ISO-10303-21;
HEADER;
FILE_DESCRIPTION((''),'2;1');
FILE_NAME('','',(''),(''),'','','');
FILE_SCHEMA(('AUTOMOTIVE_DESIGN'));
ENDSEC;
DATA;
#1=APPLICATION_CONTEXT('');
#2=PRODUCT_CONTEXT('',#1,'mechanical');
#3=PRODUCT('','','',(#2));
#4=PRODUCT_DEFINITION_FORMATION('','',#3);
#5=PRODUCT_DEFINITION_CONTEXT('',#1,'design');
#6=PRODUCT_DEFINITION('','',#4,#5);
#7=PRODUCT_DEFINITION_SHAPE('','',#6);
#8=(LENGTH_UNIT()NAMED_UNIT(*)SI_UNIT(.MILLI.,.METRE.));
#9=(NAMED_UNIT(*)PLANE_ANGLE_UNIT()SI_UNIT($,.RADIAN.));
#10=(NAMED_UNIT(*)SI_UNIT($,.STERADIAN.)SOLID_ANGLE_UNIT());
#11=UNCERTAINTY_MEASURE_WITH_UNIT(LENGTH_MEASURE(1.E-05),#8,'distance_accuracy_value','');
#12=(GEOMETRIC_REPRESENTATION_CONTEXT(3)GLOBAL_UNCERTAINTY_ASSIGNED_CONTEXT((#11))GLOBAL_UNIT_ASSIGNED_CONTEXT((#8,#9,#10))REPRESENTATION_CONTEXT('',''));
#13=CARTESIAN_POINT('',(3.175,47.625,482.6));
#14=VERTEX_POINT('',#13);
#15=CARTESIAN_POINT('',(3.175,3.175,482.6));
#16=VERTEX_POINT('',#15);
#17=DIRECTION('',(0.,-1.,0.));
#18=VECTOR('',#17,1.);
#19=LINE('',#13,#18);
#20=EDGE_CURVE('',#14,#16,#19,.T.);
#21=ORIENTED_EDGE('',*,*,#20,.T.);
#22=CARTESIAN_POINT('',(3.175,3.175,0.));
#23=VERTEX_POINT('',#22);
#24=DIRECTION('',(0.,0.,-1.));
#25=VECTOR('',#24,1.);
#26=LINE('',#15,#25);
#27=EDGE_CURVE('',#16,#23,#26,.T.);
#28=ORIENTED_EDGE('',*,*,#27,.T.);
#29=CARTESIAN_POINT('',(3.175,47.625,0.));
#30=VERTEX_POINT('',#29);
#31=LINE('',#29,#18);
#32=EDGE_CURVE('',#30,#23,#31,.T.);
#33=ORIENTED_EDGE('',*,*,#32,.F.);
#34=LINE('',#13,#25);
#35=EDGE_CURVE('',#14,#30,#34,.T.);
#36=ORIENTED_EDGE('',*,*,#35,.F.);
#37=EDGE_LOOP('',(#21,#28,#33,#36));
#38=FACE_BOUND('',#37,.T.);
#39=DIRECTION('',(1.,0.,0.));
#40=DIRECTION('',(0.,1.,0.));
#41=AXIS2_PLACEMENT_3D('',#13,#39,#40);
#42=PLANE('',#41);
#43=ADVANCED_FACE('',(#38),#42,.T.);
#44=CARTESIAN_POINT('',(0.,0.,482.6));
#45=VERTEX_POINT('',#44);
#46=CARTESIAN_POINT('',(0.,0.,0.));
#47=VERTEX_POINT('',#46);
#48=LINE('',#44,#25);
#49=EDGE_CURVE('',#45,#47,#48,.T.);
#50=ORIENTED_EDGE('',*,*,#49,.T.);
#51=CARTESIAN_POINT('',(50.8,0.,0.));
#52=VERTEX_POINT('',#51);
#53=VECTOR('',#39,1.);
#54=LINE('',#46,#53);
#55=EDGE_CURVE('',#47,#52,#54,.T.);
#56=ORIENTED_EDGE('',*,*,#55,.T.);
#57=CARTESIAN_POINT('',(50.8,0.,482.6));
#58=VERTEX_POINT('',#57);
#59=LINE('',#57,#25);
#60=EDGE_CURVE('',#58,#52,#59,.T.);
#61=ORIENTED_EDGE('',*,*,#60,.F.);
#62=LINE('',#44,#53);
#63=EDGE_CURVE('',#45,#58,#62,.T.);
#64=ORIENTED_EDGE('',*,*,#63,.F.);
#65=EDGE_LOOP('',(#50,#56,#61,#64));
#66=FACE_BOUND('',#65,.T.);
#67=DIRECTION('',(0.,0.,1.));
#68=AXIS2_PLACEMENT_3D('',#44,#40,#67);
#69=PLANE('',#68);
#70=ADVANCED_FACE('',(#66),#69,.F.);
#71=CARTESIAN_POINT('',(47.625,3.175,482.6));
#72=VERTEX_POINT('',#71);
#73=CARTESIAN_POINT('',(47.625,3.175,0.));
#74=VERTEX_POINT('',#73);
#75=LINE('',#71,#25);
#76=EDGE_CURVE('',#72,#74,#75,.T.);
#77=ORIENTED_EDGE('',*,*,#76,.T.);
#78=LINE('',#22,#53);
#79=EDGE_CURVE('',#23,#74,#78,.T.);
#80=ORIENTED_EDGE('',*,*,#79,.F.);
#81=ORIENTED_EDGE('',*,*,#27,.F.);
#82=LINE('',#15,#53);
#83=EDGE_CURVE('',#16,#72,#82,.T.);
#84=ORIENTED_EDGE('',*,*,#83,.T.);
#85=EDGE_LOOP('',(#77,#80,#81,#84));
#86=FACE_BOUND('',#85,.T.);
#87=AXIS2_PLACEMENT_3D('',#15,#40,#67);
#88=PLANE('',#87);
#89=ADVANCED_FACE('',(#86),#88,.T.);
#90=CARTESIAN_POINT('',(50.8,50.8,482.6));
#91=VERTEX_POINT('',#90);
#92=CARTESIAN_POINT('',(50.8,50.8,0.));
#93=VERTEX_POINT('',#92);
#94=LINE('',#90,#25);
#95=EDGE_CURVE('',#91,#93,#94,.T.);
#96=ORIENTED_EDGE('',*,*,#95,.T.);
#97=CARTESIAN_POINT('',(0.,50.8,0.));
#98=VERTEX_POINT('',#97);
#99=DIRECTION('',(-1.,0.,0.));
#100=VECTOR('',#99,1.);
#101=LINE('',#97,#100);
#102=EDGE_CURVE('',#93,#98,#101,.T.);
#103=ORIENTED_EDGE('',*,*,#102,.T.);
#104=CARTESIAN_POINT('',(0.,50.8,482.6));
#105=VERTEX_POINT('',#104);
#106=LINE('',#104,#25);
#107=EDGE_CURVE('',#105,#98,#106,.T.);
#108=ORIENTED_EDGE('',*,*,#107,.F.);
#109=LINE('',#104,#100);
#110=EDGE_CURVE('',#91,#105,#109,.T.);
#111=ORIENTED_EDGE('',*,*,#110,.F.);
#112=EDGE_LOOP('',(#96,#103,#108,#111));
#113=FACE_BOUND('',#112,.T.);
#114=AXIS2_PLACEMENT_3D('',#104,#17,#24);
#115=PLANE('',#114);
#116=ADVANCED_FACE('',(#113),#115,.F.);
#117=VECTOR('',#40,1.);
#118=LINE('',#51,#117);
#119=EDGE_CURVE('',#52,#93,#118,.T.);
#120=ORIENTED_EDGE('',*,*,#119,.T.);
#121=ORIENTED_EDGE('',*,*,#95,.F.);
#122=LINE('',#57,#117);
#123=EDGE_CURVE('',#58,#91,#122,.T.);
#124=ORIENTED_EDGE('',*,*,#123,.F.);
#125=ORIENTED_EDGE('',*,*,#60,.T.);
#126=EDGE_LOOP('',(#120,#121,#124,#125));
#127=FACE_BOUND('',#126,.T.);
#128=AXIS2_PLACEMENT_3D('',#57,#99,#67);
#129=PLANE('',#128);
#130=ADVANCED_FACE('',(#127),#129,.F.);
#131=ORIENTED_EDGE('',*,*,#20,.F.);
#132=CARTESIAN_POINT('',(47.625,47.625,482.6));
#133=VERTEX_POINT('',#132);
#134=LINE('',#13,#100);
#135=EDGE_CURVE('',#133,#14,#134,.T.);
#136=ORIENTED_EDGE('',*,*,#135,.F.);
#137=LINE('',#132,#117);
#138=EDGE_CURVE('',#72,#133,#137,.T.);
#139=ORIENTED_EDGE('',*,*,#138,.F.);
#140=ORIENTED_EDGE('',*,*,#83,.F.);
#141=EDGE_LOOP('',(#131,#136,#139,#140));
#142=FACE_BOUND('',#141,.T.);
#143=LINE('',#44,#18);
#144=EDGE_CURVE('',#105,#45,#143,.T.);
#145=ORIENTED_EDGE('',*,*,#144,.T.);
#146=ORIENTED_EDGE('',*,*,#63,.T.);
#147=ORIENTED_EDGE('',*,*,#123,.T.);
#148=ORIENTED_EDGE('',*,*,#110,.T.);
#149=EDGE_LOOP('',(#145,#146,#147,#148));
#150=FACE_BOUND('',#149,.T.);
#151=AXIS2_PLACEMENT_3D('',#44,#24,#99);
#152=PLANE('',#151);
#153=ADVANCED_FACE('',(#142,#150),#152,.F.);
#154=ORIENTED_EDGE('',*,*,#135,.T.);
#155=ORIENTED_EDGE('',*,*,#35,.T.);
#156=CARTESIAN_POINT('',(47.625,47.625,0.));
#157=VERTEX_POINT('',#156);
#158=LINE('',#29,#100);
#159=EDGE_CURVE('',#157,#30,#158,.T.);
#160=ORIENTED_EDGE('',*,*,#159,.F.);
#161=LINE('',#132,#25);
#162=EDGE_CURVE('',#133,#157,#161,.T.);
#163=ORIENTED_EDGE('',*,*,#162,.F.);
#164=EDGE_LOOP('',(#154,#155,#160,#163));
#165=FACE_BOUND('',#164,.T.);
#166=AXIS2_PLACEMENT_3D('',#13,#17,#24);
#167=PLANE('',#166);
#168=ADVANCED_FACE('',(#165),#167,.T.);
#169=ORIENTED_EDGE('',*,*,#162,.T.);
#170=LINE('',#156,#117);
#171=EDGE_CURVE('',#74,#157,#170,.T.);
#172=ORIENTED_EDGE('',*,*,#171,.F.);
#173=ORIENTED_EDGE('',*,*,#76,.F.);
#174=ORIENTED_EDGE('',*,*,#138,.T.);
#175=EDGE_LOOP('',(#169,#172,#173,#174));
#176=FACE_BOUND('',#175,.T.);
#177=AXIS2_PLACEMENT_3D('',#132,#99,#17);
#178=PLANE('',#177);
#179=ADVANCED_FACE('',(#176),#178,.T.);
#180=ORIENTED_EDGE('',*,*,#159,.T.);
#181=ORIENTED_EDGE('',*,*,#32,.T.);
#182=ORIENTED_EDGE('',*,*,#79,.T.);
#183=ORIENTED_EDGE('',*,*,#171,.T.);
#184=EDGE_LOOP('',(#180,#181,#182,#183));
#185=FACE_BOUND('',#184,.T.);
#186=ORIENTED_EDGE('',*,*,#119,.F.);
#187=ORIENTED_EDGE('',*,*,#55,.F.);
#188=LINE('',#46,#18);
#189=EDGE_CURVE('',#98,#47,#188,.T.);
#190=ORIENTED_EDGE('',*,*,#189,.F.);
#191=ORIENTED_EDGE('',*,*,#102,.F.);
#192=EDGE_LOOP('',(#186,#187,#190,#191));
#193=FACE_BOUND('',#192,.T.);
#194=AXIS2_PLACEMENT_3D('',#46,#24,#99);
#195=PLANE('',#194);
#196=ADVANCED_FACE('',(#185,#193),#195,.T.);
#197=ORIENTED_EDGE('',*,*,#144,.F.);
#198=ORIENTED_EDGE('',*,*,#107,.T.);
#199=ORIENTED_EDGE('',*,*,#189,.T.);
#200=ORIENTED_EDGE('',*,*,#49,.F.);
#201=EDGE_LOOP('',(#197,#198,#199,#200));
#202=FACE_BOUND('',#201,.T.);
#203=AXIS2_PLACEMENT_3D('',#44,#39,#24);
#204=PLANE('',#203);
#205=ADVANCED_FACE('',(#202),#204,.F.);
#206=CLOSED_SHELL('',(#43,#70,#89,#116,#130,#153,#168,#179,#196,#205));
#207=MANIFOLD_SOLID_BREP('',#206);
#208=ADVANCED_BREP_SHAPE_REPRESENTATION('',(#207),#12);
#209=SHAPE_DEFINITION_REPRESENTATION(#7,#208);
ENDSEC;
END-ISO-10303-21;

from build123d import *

# Parameters (mm, degrees)
SKETCH1_W           = 50.8
SKETCH1_H           = 50.8
SKETCH1_W_2         = 44.45
SKETCH1_H_2         = 44.45
BOSS_EXTRUDE1_DEPTH = 482.6


with BuildPart() as part:
    # Sketch1 → Boss-Extrude1 (new body)
    with BuildSketch(Plane.XY):
        with Locations((25.4, 25.4)):
            Rectangle(SKETCH1_W, SKETCH1_H)
        with Locations((25.4, 25.4)):
            Rectangle(SKETCH1_W_2, SKETCH1_H_2, mode=Mode.SUBTRACT)
    extrude(amount=BOSS_EXTRUDE1_DEPTH)


solid = part.part
